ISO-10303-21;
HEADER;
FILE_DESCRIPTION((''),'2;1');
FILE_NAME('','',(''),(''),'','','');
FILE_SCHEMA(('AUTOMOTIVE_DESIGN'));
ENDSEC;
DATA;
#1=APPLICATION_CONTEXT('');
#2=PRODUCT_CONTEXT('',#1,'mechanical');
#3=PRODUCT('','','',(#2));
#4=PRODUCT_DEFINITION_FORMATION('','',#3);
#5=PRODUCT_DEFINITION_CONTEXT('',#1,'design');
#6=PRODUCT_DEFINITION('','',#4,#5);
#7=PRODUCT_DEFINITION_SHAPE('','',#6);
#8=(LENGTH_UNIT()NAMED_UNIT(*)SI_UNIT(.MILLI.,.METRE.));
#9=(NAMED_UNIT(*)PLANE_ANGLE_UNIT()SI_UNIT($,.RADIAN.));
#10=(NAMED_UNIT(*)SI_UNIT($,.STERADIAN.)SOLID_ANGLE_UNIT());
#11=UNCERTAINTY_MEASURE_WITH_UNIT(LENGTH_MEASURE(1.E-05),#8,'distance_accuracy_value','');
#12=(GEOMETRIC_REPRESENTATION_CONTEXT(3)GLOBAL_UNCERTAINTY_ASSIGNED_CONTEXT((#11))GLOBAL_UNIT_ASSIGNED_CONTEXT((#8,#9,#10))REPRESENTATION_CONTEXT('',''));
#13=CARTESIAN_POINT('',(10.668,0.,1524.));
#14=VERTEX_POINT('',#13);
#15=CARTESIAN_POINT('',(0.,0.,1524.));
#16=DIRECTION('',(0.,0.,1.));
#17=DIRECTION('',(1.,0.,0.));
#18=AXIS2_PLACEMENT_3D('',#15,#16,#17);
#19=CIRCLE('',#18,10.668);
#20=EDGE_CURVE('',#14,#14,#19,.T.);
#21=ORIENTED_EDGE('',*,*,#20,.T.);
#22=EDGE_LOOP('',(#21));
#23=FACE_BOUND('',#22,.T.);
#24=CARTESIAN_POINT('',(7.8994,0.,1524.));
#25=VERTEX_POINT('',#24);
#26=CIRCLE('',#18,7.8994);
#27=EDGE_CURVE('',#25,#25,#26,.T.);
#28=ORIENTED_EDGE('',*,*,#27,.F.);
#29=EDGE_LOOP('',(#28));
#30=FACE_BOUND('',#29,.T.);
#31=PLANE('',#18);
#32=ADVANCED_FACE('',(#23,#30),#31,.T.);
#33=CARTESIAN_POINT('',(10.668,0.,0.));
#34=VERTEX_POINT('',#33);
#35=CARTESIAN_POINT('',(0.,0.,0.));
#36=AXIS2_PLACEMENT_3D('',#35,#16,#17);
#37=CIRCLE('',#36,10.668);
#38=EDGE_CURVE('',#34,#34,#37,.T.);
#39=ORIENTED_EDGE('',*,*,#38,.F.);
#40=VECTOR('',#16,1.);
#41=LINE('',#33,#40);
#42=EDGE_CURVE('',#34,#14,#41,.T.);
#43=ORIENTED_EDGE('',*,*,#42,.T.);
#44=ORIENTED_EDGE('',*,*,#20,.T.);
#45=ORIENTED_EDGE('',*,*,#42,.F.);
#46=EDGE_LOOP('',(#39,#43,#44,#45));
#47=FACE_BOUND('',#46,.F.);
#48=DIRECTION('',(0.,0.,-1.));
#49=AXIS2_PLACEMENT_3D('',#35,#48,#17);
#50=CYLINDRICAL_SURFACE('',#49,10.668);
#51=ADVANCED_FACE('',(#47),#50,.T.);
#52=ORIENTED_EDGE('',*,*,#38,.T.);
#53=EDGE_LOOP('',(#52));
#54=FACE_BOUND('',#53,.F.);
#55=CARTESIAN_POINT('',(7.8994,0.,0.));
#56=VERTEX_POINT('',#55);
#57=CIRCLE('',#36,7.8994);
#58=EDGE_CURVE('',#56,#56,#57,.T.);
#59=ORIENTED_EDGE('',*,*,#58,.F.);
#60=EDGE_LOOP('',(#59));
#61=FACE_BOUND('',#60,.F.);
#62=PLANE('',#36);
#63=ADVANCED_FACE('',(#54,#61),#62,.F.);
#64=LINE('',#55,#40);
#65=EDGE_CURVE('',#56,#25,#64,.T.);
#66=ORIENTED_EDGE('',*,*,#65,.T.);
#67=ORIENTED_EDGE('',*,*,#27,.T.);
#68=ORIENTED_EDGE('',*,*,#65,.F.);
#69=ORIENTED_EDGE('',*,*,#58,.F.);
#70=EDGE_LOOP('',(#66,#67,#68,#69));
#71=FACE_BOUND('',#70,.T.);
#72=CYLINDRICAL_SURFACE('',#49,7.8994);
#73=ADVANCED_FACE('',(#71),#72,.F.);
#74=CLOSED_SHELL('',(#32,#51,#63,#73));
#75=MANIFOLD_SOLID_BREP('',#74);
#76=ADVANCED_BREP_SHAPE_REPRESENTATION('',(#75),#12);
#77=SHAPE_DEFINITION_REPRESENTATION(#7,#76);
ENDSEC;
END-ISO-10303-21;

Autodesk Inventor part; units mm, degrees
ref_plane "YZ Plane" through (0, 0, 0) normal (1, 0, 0) x (0, 1, 0)
ref_plane "Start plane" through (0, 0, 0) normal (0, 0, 1) x (1, 0, 0)
ref_plane "End plane" through (0, 0, 1524) normal (0, 0, 1) x (1, 0, 0)
sketch "Sketch1" plane through (0, 0, 0) normal (0, 0, 1) x (1, 0, 0)
  circle A0 centre (0, 0) radius 10.668
  circle A1 centre (0, 0) radius 7.8994
  dimension "d0" = 21.336
  dimension "d1" = 2.7686
extrude "Body" add sketch "Sketch1" along normal up to surface (1524 mm away) from surface at 0
sketch "Sketch2" plane through (0, 0, 0) normal (0, 0, 1) x (1, 0, 0)
  line L0 (0, 0) -> (10, 0)
ref_plane "Work Plane3" through (0, 0, 0) normal (0, -1, 0) x (1, 0, 0)
sketch "Sketch3" plane through (0, 0, 0) normal (0, -1, 0) x (1, 0, 0)
  line L0 (-2, 0) -> (12, 0)
  line L1 (-2, 1524) -> (12, 1524)
  dimension "d8" = 1524
equation "\"d0\" = Diam"
equation "\"d1\" = ParT"
equation "\"d2\" = G_L"
equation "\"Diam\" = 21.336"
equation "\"ParT\" = 2.7686"
equation "\"G_L\" = d8"
equation "\"G_OFFSET_START\" = 0"
equation "\"G_OFFSET_END\" = 0"
equation "\"d6\" = G_OFFSET_END + B_L"
equation "\"B_L\" = 1524"
properties part number "ANSI/AISC Rolled Steel - 1/2-60" material "Steel, Mild"
